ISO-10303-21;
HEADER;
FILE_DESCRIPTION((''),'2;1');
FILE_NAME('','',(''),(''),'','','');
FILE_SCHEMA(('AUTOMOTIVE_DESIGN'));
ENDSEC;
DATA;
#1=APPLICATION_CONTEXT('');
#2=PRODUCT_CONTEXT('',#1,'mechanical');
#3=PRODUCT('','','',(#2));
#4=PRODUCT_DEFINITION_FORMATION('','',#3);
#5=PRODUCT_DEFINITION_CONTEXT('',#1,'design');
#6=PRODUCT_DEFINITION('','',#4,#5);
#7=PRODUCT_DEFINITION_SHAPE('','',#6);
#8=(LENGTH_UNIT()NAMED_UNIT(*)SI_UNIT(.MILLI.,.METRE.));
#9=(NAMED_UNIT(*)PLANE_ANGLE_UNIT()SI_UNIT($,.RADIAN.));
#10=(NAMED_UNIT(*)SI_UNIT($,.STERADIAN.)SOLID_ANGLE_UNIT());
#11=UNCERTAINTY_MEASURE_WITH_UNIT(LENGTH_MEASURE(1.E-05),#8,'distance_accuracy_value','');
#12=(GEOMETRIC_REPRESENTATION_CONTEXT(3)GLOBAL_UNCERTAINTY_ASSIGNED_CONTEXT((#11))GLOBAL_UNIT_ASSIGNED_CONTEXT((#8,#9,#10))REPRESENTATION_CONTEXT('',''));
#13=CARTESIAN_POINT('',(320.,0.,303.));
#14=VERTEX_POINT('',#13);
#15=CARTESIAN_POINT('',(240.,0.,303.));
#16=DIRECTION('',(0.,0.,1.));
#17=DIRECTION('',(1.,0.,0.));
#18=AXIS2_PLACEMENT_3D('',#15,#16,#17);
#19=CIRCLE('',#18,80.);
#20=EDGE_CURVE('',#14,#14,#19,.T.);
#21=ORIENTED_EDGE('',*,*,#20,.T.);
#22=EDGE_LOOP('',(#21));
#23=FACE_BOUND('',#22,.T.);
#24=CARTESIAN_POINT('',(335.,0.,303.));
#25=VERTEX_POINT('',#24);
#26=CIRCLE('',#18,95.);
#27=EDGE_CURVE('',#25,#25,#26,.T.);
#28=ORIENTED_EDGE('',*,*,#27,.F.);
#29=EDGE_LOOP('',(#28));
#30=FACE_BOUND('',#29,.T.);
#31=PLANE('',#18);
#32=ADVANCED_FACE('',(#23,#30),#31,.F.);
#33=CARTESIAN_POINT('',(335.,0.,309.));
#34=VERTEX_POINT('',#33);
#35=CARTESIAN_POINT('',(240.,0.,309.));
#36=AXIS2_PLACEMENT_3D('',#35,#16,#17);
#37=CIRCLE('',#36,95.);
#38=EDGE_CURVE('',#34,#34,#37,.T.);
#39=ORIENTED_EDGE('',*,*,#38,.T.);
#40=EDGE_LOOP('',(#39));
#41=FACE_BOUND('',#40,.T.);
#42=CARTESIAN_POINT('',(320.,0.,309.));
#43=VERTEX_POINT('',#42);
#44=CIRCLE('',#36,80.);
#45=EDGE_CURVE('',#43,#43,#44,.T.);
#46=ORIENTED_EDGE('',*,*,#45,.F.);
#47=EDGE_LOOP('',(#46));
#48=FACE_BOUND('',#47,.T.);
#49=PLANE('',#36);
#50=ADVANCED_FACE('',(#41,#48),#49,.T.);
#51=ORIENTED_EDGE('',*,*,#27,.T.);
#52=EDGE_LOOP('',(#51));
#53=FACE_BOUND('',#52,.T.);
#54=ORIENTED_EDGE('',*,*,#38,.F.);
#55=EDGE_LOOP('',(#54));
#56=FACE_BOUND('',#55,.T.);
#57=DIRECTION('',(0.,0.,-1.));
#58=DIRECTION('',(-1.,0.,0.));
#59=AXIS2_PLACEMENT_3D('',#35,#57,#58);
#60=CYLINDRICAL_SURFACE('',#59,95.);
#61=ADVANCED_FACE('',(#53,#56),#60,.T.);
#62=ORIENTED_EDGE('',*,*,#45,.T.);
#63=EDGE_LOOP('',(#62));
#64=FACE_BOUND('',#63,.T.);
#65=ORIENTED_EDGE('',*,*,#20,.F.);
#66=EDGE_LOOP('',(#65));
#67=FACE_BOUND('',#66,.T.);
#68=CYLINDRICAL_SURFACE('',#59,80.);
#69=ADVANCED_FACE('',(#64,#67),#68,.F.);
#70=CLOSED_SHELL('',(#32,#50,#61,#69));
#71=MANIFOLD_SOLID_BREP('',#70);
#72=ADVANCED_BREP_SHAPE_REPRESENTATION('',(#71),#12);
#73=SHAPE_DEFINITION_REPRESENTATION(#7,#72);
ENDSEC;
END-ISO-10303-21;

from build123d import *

# Parameters (mm, degrees)
EXTRUDE_START        = 303
EXTRUDE_SKETCH_1_R   = 95
EXTRUDE_SKETCH_1_R_2 = 80
EXTRUDE_1_DEPTH      = 6


with BuildPart() as part:
    # Extrude sketch 1 → Extrude 1 (new body)
    with BuildSketch(Plane.XY.offset(EXTRUDE_START)):
        with Locations((240, 0)):
            Circle(EXTRUDE_SKETCH_1_R)
        with Locations((240, 0)):
            Circle(EXTRUDE_SKETCH_1_R_2, mode=Mode.SUBTRACT)
    extrude(amount=EXTRUDE_1_DEPTH)


solid = part.part
